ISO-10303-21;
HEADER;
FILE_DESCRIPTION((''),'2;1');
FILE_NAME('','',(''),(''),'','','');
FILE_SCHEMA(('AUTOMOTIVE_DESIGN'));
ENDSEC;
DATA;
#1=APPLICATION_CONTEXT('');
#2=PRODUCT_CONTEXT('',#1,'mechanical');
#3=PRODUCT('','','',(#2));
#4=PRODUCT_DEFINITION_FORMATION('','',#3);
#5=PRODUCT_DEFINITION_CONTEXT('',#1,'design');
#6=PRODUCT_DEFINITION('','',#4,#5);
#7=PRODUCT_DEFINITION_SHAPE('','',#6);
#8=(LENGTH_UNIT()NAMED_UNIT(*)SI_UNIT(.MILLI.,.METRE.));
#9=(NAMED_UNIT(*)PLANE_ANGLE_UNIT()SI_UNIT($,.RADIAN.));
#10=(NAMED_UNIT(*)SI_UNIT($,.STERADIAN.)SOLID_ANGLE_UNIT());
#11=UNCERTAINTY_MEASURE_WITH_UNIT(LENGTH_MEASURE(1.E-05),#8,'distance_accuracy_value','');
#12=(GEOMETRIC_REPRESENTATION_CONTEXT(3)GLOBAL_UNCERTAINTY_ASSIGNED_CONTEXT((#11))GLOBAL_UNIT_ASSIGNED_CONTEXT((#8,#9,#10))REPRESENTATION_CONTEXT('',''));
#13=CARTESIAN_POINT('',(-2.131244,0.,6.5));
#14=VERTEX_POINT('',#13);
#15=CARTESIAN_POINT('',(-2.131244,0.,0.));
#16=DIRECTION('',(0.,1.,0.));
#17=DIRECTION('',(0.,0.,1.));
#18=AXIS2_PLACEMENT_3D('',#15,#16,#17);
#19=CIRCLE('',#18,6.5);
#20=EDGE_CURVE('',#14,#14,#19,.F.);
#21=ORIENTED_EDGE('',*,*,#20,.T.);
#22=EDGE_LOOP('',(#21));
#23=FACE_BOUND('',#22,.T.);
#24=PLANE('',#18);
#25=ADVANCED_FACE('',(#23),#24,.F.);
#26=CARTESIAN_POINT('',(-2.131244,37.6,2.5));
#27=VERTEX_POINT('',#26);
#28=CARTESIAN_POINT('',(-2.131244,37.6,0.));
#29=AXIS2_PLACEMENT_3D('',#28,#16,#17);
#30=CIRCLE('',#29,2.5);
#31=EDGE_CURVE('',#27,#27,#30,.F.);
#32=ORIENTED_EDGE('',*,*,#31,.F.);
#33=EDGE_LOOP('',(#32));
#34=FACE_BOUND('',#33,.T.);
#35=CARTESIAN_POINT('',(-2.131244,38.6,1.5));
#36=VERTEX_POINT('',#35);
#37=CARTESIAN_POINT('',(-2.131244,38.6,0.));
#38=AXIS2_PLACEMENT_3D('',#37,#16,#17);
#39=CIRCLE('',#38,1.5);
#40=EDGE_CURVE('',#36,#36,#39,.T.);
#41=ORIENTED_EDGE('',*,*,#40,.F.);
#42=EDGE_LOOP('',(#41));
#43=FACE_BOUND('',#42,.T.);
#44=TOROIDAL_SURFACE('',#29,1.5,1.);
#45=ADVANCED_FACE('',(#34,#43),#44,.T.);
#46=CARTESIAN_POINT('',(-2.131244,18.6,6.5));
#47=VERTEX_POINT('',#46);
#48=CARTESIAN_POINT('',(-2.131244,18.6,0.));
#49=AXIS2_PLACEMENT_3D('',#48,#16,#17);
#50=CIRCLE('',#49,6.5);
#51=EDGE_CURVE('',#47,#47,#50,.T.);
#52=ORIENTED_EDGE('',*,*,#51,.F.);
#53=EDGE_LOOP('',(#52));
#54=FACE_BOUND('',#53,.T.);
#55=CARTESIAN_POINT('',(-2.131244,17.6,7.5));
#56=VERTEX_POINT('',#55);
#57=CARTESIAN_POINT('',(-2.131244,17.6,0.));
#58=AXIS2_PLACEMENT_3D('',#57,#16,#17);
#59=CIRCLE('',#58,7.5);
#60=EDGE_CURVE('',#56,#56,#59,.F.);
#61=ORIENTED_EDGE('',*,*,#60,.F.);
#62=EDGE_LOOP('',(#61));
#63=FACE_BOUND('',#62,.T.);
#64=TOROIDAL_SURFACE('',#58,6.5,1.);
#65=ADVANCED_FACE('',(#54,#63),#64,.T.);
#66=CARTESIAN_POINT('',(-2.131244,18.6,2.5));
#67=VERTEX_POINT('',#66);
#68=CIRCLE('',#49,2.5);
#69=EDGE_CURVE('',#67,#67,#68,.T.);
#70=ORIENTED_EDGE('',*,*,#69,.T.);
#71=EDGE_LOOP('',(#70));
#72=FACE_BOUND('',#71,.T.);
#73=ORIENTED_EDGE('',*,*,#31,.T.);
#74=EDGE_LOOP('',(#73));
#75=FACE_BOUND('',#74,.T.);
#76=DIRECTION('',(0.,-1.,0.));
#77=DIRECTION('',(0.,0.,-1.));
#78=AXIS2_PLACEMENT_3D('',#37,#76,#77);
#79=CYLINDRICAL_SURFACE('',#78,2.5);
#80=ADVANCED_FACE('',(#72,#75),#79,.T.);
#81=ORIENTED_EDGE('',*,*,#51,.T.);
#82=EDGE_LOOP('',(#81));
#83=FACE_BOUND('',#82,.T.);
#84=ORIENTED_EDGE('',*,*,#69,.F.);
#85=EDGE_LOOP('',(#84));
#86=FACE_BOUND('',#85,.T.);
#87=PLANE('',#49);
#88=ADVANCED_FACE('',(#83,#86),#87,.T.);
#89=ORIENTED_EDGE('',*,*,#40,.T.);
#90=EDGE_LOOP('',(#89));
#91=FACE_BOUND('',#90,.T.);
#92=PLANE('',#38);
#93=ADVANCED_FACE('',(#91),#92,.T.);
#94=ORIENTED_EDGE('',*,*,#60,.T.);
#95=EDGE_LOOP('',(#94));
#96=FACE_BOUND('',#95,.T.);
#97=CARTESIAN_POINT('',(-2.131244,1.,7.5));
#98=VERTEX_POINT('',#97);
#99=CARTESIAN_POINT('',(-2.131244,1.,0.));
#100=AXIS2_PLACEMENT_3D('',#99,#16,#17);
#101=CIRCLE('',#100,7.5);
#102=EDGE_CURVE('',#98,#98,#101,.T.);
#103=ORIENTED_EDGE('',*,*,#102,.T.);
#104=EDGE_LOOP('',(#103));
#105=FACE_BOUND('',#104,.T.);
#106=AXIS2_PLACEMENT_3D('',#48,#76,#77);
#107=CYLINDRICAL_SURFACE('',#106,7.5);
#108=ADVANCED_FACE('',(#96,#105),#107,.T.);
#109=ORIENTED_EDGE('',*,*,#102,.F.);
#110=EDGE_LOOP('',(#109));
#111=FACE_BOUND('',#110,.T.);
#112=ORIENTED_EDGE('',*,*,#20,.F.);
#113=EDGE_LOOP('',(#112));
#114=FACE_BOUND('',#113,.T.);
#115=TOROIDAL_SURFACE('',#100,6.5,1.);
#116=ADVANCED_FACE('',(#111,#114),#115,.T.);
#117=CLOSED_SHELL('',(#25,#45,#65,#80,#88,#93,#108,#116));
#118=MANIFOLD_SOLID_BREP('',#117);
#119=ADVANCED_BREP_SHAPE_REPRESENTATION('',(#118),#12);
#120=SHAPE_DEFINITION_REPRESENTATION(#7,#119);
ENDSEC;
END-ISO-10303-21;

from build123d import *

# Parameters (mm, degrees)
ESBO_O1_R                = 7.5
RESSALTO_EXTRUS_O1_DEPTH = 18.6
ESBO_O2_R                = 2.5
RESSALTO_EXTRUS_O2_DEPTH = 20
FILETE1_R                = 1


with BuildPart() as part:
    # Esboço1 → Ressalto-extrusão1 (new body)
    with BuildSketch(Plane(origin=(0, 0, 0), x_dir=(1, 0, 0), z_dir=(0, 1, 0))):
        with Locations(Location((-2.131243559, 0, 0), (0, 0, 270))):
            Circle(ESBO_O1_R)
    extrude(amount=RESSALTO_EXTRUS_O1_DEPTH)

    # Esboço2 → Ressalto-extrusão2 (add)
    with BuildSketch(Plane(origin=(0, 18.6, 0), x_dir=(1, 0, 0), z_dir=(0, 1, 0))):
        with Locations(Location((-2.131243559, 0, 0), (0, 0, 270))):
            Circle(ESBO_O2_R)
    extrude(amount=RESSALTO_EXTRUS_O2_DEPTH)

    # Filete1
    filete1_edges = [part.edges().sort_by_distance(p)[0] for p in [
        (-2.131243559, 0, -7.5),
        (-2.131243559, 18.6, -7.5),
        (-2.131243559, 38.6, -2.5),
    ]]
    fillet(filete1_edges, radius=FILETE1_R)


solid = part.part
